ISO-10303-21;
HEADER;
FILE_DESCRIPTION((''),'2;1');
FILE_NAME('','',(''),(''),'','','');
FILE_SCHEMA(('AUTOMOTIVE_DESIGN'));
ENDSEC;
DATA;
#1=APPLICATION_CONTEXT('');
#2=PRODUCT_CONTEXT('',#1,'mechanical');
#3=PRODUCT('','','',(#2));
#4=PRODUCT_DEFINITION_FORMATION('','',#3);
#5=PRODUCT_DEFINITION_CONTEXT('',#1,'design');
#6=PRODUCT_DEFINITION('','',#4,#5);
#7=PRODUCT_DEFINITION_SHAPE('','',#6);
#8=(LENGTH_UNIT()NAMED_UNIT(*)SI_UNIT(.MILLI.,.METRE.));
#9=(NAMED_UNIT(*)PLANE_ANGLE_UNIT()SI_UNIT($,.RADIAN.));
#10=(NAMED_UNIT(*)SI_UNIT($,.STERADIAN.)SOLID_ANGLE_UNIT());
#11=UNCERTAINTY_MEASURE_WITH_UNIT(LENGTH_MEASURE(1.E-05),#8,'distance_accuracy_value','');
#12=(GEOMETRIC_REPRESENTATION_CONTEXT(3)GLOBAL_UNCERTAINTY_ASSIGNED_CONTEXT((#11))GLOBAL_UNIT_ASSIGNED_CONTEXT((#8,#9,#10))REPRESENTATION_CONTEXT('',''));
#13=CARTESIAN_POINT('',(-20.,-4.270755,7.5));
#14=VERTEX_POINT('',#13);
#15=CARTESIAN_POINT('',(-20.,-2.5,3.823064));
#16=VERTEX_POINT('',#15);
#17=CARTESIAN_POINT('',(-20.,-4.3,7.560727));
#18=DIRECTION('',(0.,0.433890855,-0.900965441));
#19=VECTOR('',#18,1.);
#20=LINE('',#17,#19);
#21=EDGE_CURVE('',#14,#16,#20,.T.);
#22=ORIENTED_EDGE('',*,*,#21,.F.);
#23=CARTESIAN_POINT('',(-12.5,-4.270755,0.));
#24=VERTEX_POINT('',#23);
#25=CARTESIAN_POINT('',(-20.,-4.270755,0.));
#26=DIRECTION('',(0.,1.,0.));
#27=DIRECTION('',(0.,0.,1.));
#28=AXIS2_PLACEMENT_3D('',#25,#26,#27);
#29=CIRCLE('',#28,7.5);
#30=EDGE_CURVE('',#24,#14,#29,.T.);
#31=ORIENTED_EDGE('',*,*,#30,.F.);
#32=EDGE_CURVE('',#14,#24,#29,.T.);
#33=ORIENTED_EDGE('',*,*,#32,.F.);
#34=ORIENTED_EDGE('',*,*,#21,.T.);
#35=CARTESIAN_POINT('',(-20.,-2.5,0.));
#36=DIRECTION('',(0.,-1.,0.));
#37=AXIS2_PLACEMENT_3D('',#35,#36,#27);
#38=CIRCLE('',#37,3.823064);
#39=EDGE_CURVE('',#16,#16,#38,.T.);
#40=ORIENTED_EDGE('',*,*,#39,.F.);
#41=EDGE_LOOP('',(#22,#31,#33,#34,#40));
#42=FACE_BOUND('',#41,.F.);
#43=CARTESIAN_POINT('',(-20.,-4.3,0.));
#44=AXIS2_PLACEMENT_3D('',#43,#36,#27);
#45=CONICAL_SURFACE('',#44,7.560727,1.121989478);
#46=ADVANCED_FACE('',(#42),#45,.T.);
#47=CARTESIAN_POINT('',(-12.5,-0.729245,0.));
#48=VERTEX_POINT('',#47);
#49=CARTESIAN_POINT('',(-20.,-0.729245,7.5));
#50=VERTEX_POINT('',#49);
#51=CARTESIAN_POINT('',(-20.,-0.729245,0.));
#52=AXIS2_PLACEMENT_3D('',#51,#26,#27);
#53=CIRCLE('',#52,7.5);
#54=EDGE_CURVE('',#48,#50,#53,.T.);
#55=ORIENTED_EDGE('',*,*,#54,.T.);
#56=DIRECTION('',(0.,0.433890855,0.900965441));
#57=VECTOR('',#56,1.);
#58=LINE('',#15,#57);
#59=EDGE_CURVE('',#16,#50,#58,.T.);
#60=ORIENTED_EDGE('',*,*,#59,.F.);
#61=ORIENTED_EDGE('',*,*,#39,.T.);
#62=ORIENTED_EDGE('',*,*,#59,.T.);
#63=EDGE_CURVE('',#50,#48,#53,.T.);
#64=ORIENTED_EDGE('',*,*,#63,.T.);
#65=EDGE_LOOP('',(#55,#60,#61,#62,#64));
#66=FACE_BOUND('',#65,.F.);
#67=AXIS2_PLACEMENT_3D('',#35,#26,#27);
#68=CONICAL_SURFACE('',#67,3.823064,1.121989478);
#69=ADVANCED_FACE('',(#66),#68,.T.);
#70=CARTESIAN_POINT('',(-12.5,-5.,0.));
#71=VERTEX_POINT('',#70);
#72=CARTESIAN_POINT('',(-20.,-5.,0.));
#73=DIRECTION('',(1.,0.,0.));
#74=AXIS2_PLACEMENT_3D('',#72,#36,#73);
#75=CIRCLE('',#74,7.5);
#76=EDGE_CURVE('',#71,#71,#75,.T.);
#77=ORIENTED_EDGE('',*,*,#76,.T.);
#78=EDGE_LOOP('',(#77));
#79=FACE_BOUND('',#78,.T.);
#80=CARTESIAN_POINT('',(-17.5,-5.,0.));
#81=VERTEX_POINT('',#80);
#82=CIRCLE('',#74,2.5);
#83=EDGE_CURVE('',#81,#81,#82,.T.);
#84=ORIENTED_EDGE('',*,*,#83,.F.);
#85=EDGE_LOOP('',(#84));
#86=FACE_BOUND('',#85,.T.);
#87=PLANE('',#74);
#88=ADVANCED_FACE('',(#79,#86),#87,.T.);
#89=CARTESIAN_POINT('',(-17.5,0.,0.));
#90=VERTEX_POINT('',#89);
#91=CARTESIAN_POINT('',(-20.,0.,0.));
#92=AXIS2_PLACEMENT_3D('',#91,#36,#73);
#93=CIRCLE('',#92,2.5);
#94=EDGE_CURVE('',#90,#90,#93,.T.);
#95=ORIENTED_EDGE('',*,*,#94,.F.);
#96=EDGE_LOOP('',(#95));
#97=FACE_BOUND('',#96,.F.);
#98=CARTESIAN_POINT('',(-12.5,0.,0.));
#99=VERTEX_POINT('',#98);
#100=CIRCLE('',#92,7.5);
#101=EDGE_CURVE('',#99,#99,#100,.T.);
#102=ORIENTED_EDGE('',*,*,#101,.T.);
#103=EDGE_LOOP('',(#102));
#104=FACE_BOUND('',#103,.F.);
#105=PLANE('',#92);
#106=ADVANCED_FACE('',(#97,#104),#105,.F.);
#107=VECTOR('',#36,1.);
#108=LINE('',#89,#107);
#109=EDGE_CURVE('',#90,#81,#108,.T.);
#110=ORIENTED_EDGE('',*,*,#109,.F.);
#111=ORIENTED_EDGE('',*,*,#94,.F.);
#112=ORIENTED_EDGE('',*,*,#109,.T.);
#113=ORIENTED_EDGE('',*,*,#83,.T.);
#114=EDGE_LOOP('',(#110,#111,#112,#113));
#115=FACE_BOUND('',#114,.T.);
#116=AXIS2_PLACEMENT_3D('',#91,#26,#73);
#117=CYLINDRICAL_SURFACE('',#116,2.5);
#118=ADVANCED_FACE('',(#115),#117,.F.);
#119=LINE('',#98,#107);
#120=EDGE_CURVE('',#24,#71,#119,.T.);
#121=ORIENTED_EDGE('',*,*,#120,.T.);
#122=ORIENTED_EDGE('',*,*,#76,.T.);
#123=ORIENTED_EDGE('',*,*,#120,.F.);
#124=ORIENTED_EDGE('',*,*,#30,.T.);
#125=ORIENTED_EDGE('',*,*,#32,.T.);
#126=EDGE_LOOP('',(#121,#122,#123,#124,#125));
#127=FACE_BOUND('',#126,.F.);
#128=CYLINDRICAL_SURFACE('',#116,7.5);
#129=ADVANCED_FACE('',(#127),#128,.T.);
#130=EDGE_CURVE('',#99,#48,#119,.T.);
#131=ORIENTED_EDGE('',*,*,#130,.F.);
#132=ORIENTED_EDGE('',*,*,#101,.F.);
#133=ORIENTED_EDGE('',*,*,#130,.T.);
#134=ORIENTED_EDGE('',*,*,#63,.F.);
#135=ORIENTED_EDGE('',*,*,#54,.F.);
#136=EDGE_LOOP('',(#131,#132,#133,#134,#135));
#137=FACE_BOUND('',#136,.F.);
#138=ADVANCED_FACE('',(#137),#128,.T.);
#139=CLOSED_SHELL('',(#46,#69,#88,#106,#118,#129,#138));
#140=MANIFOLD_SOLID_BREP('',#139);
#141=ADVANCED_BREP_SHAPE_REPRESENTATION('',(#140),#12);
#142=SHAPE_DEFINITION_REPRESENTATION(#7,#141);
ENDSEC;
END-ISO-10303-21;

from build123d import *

# Parameters (mm, degrees)
F0_R     = 7.5
F0_R_2   = 2.5
F2_DEPTH = 5


with BuildPart() as f2:
    # F0 (on Front) → F2 (new body)
    with BuildSketch(Plane.XZ):
        with Locations((-20, 0)):
            Circle(F0_R)
        with Locations((-20, 0)):
            Circle(F0_R_2, mode=Mode.SUBTRACT)
    extrude(amount=F2_DEPTH)

    # F4 (on offset) → F5 (revolve, cut)
    with BuildSketch(Plane.YZ.offset(-20)):
        Polygon((-4.3, 7.560727), (-2.5, 3.823064), (-2.5, 7.560727), align=None)
        Polygon((-2.5, 7.560727), (-2.5, 3.823064), (-0.7, 7.560727), align=None)
    revolve(axis=Axis((-20, -3.509807, 0), (0, -1, 0)), mode=Mode.SUBTRACT)


solid = f2.part
